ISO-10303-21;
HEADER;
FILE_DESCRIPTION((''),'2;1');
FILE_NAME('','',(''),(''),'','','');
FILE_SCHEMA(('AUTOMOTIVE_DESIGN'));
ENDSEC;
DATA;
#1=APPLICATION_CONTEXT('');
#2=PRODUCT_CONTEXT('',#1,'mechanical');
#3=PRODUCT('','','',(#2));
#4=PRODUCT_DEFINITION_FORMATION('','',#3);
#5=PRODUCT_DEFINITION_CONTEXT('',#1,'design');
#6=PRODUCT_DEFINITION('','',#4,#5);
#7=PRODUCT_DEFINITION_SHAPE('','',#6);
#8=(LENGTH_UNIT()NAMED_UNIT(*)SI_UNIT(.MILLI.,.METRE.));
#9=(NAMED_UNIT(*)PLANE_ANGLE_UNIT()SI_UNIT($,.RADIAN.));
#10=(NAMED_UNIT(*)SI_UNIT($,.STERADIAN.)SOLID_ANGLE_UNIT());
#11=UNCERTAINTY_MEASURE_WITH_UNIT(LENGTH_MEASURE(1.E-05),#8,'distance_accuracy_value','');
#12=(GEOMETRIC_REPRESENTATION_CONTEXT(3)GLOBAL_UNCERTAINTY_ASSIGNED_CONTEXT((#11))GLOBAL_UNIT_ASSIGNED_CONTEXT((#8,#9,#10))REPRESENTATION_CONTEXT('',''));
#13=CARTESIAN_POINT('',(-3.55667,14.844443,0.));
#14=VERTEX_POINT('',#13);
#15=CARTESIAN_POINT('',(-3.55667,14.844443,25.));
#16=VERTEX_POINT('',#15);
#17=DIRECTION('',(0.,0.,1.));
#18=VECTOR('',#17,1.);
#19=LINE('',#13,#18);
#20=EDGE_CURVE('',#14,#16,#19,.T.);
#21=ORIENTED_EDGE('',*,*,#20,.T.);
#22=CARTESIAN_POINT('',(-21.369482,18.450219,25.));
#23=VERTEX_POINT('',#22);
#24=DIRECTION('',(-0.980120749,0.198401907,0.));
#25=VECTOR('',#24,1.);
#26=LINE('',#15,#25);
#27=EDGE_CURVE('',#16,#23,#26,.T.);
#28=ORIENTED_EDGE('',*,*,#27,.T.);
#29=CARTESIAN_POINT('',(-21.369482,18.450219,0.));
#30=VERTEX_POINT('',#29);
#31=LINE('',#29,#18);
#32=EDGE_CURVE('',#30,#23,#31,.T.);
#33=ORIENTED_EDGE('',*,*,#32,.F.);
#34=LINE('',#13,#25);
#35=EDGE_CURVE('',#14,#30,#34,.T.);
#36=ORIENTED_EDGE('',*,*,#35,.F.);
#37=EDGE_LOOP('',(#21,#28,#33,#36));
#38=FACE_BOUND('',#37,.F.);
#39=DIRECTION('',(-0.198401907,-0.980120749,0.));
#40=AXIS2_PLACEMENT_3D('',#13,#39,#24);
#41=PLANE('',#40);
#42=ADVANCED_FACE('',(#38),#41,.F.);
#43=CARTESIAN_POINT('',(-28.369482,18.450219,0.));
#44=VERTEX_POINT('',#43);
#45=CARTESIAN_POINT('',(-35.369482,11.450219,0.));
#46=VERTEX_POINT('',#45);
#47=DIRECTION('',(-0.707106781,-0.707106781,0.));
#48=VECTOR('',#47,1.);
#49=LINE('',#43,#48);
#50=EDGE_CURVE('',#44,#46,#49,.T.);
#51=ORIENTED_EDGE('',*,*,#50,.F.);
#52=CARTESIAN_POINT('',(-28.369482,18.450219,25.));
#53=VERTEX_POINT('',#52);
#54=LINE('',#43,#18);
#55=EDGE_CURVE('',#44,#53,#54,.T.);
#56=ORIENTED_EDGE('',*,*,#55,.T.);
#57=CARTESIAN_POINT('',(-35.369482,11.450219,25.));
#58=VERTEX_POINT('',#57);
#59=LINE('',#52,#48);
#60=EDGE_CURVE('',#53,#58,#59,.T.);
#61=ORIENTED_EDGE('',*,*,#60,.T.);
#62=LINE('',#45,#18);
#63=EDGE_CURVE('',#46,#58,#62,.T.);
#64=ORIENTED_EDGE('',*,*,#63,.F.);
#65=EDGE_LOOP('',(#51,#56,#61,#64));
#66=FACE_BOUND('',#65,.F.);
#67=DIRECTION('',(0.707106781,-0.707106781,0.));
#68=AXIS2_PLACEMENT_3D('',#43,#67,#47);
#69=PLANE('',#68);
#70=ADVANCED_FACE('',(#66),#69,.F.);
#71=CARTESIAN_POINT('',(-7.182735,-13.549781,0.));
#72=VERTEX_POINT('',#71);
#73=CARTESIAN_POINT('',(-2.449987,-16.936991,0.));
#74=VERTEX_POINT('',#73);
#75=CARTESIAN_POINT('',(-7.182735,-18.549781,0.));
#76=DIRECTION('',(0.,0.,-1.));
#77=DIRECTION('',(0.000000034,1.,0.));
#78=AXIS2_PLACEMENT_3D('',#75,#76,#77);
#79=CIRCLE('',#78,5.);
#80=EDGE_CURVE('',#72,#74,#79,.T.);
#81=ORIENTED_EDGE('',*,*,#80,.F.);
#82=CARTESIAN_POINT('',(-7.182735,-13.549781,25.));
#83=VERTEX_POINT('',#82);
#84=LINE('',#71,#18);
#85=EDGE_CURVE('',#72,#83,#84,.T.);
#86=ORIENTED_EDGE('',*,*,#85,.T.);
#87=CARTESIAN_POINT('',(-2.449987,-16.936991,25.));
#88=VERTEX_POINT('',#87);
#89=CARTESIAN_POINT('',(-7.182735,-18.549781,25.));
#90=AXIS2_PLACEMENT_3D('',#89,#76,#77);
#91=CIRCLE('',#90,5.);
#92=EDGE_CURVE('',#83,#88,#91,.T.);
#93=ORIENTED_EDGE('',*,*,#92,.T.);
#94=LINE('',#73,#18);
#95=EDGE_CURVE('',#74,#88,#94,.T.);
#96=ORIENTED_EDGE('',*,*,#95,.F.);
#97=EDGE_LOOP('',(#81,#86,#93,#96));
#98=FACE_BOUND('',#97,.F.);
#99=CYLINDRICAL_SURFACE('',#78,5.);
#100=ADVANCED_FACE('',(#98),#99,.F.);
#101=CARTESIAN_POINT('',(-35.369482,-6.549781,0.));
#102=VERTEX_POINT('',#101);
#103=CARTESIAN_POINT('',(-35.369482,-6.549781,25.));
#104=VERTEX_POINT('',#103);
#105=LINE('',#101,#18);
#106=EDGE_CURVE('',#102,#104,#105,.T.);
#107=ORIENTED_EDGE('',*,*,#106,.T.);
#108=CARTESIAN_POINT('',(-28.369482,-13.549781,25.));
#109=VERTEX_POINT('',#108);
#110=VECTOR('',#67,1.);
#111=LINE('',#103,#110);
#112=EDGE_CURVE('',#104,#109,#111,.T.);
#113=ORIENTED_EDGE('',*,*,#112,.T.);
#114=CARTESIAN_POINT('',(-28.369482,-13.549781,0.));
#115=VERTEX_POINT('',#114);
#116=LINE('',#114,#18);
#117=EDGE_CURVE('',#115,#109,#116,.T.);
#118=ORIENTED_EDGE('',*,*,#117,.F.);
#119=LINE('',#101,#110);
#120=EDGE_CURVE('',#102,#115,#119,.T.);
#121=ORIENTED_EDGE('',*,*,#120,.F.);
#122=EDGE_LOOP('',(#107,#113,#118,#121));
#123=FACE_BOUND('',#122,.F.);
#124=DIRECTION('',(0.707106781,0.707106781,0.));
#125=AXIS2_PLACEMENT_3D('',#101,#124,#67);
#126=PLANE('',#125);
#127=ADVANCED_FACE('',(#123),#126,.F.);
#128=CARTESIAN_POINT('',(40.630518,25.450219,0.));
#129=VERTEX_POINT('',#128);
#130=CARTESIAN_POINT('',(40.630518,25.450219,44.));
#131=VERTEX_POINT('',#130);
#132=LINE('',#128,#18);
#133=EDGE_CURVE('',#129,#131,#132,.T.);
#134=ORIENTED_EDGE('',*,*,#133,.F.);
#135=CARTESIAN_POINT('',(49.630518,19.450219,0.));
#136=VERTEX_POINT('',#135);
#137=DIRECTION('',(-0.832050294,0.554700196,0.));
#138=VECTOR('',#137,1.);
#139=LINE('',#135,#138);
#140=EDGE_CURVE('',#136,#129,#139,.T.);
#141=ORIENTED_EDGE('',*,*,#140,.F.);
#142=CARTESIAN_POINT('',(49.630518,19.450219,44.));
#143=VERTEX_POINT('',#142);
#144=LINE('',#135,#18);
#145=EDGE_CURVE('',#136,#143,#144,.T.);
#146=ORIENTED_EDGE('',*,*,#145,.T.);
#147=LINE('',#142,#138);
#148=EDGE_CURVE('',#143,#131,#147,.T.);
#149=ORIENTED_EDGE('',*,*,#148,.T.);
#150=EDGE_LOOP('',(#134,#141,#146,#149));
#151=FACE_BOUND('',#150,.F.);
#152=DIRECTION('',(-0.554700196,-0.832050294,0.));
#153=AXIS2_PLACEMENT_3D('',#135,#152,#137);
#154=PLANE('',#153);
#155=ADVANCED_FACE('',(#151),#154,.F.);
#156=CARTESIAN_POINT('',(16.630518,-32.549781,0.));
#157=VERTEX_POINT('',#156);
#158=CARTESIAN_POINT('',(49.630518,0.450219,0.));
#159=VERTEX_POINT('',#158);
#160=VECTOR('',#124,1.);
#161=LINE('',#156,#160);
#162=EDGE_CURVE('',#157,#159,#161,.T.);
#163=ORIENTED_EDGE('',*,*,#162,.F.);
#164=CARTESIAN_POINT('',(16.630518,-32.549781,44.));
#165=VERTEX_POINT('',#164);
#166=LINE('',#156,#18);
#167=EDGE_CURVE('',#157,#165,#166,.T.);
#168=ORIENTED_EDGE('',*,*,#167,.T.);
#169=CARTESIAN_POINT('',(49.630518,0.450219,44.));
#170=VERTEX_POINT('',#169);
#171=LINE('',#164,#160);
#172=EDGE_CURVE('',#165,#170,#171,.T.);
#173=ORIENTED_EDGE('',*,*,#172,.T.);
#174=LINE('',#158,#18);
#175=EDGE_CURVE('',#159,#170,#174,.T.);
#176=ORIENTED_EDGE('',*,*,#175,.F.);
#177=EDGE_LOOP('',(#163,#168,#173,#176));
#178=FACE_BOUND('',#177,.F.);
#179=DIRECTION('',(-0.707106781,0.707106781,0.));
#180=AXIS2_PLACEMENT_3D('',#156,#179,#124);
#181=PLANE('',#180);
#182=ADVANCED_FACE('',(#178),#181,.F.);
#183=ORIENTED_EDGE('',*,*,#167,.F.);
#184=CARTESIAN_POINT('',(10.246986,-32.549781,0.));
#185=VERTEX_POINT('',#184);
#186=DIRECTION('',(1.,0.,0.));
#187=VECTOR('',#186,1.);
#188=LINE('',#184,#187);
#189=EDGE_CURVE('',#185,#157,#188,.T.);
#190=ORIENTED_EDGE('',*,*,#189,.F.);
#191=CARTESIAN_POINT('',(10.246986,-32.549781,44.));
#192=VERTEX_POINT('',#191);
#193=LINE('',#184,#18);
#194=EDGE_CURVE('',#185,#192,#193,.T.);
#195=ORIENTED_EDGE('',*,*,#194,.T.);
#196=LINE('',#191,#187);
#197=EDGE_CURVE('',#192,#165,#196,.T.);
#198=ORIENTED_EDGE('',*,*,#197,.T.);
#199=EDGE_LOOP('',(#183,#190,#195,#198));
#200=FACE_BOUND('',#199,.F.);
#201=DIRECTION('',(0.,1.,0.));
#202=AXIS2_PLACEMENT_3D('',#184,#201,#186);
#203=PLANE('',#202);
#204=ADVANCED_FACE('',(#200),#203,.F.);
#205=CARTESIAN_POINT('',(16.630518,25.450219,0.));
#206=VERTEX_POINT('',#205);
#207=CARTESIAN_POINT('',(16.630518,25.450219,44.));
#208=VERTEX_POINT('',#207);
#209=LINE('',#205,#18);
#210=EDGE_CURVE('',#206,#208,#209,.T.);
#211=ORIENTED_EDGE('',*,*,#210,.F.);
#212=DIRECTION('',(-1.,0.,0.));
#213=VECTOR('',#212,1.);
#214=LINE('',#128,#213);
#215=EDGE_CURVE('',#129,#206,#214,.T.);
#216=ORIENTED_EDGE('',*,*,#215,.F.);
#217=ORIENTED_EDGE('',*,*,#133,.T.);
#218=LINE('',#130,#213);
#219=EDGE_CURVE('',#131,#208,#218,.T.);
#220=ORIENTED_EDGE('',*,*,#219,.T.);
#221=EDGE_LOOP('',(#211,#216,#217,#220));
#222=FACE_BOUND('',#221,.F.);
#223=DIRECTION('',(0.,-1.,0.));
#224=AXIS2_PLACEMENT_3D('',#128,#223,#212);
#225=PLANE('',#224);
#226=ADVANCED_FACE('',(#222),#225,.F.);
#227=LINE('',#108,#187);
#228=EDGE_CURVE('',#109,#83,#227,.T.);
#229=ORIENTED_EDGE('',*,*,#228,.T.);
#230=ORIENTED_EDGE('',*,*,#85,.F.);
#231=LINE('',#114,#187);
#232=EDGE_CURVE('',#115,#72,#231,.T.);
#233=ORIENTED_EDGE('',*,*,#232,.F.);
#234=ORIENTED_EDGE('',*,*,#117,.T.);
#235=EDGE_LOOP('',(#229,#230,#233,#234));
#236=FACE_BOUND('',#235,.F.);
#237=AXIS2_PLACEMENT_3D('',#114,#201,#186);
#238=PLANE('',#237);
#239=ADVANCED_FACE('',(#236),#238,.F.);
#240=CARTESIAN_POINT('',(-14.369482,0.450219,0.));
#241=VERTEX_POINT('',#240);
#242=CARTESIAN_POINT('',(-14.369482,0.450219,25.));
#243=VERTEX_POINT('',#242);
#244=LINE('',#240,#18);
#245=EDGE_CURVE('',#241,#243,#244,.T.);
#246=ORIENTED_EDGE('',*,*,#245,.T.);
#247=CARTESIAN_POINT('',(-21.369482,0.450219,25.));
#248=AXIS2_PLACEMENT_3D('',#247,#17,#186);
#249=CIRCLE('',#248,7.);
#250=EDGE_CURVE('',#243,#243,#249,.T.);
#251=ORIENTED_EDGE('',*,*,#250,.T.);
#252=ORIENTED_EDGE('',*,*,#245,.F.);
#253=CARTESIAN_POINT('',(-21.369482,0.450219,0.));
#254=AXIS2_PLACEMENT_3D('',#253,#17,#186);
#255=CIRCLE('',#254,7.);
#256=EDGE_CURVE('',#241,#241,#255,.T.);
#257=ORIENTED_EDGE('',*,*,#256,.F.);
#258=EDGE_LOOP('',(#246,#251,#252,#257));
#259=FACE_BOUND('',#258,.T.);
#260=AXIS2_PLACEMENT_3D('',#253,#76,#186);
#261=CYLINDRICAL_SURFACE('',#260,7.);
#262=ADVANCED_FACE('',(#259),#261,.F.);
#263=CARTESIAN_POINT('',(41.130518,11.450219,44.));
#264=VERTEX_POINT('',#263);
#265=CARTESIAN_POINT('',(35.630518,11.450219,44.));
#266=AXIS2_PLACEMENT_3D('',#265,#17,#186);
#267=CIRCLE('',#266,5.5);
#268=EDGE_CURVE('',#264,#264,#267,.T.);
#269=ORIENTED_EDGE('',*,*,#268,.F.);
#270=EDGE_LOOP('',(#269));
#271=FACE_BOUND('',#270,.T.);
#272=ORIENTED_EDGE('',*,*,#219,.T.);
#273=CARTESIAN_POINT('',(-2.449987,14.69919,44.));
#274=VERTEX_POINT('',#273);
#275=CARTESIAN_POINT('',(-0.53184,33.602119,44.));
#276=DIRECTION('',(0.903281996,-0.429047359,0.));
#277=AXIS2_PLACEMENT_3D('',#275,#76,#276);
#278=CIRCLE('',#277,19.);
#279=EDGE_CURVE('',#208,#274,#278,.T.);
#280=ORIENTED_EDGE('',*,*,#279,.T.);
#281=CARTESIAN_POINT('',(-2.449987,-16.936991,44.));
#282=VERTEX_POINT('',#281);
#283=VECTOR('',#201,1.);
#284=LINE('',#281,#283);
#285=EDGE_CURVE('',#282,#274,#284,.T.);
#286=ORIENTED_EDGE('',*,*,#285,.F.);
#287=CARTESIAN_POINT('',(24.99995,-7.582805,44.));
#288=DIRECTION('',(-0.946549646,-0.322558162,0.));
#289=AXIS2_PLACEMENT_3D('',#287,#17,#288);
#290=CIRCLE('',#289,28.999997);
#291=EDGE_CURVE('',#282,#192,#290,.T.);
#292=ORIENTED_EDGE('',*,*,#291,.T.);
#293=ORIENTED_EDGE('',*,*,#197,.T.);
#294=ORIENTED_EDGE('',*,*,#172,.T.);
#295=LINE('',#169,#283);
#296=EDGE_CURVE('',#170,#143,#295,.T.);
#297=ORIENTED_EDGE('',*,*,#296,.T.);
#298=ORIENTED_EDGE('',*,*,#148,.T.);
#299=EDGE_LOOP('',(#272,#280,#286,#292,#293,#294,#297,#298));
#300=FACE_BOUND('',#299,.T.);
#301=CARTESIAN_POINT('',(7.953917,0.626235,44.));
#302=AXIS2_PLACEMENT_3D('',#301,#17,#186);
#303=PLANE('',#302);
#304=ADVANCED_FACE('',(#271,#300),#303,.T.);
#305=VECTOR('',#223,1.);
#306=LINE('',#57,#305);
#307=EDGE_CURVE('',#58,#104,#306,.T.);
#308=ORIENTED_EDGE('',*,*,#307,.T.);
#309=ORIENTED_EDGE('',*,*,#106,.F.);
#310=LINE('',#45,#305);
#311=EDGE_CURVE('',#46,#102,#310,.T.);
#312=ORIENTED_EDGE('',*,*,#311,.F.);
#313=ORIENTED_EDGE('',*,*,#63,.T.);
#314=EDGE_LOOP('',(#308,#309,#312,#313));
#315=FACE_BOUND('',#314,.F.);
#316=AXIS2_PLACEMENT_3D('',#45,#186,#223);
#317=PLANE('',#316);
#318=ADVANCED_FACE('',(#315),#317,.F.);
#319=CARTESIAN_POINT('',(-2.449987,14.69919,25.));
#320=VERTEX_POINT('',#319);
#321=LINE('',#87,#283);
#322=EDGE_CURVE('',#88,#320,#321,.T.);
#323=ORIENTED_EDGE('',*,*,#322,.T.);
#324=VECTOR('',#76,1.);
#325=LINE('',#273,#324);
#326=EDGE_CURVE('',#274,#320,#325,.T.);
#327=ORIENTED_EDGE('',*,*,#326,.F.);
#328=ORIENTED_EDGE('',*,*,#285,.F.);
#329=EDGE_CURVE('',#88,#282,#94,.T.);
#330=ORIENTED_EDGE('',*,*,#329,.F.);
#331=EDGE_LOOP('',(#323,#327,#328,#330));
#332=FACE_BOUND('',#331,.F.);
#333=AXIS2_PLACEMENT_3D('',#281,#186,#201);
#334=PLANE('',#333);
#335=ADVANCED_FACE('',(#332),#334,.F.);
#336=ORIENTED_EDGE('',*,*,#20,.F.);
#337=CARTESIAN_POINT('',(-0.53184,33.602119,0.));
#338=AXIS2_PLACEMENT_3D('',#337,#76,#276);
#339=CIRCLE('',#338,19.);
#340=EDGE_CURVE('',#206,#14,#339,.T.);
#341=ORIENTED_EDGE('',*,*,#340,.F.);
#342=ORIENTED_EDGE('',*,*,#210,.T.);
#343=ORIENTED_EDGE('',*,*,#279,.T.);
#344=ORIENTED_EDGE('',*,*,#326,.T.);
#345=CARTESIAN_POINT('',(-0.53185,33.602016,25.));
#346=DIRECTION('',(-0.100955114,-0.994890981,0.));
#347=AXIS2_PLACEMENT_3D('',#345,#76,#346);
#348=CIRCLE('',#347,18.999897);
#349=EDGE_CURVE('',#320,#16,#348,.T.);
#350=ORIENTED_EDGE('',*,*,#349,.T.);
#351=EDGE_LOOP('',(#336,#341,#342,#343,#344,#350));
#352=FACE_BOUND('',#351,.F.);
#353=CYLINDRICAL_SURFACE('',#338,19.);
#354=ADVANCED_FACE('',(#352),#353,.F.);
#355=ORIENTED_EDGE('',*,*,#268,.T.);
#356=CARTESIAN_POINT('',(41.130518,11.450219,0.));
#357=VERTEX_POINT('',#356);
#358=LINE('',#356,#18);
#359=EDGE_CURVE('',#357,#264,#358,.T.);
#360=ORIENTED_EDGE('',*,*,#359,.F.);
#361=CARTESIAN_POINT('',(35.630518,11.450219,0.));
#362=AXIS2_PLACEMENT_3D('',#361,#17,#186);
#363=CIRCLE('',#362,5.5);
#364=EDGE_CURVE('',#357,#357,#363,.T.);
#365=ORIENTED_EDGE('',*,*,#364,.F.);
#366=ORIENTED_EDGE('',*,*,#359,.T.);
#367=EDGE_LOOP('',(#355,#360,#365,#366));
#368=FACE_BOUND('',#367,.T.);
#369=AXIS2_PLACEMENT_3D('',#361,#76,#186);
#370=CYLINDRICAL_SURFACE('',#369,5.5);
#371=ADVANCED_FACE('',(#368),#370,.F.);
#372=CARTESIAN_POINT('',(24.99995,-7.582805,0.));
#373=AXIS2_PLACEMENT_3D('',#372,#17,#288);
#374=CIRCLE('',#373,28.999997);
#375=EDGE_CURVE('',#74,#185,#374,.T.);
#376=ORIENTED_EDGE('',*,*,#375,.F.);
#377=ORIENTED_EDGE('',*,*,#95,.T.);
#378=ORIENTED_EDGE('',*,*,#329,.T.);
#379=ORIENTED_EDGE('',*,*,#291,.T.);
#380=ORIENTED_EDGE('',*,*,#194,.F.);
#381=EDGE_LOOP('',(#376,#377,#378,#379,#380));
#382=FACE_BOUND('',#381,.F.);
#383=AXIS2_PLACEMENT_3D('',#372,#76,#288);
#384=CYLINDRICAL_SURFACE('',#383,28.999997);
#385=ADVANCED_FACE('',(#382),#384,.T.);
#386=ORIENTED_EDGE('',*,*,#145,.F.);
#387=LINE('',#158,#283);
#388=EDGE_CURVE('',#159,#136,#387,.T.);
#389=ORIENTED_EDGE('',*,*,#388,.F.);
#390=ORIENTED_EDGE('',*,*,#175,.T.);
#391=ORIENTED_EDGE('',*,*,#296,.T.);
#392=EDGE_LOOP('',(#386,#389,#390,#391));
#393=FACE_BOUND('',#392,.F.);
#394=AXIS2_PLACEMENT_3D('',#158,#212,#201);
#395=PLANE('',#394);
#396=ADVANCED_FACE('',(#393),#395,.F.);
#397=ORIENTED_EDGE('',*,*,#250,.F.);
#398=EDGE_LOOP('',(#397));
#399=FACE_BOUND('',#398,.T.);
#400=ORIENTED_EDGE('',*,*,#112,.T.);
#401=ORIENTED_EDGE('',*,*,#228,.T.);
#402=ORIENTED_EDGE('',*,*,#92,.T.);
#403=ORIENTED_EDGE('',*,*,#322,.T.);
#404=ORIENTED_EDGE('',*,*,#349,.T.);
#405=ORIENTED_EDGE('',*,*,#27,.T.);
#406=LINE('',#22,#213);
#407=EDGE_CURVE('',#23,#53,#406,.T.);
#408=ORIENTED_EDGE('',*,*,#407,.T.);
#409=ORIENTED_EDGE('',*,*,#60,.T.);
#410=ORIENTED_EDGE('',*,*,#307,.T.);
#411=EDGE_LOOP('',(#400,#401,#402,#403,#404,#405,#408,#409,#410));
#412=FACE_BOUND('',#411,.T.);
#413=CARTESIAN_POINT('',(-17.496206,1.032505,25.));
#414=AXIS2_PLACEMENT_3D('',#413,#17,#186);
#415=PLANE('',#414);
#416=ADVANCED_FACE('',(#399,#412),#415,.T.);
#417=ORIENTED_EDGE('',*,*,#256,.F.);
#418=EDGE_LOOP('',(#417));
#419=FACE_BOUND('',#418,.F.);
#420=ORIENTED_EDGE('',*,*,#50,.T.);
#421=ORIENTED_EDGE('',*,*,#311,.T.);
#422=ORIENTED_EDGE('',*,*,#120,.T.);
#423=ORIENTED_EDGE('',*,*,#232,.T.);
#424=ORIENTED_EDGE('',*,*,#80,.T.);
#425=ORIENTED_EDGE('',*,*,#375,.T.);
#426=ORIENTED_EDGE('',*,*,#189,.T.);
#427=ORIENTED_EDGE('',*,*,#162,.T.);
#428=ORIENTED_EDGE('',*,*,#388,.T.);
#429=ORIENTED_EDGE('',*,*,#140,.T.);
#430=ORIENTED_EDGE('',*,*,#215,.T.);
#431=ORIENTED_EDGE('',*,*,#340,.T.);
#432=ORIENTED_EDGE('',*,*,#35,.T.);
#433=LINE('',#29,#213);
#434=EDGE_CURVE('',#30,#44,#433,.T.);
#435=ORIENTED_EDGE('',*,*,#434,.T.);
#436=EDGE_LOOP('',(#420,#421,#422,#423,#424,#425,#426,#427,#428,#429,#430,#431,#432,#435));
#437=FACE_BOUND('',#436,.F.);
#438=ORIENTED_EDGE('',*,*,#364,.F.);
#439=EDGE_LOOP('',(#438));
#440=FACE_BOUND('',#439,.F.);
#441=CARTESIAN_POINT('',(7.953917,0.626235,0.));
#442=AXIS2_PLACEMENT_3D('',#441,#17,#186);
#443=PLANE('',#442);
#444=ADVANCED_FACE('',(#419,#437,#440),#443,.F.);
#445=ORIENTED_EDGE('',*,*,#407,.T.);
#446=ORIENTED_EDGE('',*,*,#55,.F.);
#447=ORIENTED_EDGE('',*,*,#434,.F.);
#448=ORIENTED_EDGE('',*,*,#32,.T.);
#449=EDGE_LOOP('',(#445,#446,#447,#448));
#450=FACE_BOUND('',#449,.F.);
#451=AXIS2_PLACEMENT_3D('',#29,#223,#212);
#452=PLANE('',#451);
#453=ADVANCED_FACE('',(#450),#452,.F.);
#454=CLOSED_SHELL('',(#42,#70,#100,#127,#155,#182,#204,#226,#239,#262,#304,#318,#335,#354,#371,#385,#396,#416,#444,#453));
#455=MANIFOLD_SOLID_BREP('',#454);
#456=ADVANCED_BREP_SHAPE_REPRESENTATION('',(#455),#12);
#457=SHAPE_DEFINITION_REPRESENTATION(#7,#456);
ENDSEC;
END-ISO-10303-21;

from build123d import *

# Parameters (mm, degrees)
F0_R     = 7
F0_R_2   = 5.5
F1_DEPTH = 44
F2_R     = 7
F3_DEPTH = 19


with BuildPart() as f1:
    # F0 (on Top) → F1 (new body)
    with BuildSketch(Plane.XY):
        with BuildLine():
            Line((-28.369482, 18.450219), (-35.369482, 11.450219))
            Line((-35.369482, 11.450219), (-35.369482, -6.549781))
            Line((-35.369482, -6.549781), (-28.369482, -13.549781))
            Line((-28.369482, -13.549781), (-7.182735, -13.549781))
            ThreePointArc((-7.182735, -13.549781), (-4.272748, -14.483828), (-2.449987, -16.936991))
            ThreePointArc((-2.449987, -16.936991), (2.500816, -25.88004), (10.246986, -32.549781))
            Line((10.246986, -32.549781), (16.630518, -32.549781))
            Line((16.630518, -32.549781), (49.630518, 0.450219))
            Line((49.630518, 0.450219), (49.630518, 19.450219))
            Line((49.630518, 19.450219), (40.630518, 25.450219))
            Line((40.630518, 25.450219), (16.630518, 25.450219))
            ThreePointArc((16.630518, 25.450219), (8.304904, 16.782132), (-3.55667, 14.844443))
            Line((-3.55667, 14.844443), (-21.369482, 18.450219))
            Line((-21.369482, 18.450219), (-28.369482, 18.450219))
        make_face()
        with Locations((-21.369482, 0.450219)):
            Circle(F0_R, mode=Mode.SUBTRACT)
        with Locations((35.630518, 11.450219)):
            Circle(F0_R_2, mode=Mode.SUBTRACT)
    extrude(amount=F1_DEPTH)

    # F2 (on face) → F3 (cut)
    with BuildSketch(Plane.XY.offset(44)):
        with BuildLine():
            Line((-2.449987, -16.936991), (-2.449987, 14.69919))
            ThreePointArc((-2.449987, 14.69919), (-3.004395, 14.763688), (-3.55667, 14.844443))
            Line((-3.55667, 14.844443), (-21.369482, 18.450219))
            Line((-21.369482, 18.450219), (-28.369482, 18.450219))
            Line((-28.369482, 18.450219), (-35.369482, 11.450219))
            Line((-35.369482, 11.450219), (-35.369482, -6.549781))
            Line((-35.369482, -6.549781), (-28.369482, -13.549781))
            Line((-28.369482, -13.549781), (-7.182735, -13.549781))
            ThreePointArc((-7.182735, -13.549781), (-4.272748, -14.483828), (-2.449987, -16.936991))
        make_face()
        with Locations((-21.369482, 0.450219)):
            Circle(F2_R, mode=Mode.SUBTRACT)
    extrude(amount=-F3_DEPTH, mode=Mode.SUBTRACT)


solid = f1.part
